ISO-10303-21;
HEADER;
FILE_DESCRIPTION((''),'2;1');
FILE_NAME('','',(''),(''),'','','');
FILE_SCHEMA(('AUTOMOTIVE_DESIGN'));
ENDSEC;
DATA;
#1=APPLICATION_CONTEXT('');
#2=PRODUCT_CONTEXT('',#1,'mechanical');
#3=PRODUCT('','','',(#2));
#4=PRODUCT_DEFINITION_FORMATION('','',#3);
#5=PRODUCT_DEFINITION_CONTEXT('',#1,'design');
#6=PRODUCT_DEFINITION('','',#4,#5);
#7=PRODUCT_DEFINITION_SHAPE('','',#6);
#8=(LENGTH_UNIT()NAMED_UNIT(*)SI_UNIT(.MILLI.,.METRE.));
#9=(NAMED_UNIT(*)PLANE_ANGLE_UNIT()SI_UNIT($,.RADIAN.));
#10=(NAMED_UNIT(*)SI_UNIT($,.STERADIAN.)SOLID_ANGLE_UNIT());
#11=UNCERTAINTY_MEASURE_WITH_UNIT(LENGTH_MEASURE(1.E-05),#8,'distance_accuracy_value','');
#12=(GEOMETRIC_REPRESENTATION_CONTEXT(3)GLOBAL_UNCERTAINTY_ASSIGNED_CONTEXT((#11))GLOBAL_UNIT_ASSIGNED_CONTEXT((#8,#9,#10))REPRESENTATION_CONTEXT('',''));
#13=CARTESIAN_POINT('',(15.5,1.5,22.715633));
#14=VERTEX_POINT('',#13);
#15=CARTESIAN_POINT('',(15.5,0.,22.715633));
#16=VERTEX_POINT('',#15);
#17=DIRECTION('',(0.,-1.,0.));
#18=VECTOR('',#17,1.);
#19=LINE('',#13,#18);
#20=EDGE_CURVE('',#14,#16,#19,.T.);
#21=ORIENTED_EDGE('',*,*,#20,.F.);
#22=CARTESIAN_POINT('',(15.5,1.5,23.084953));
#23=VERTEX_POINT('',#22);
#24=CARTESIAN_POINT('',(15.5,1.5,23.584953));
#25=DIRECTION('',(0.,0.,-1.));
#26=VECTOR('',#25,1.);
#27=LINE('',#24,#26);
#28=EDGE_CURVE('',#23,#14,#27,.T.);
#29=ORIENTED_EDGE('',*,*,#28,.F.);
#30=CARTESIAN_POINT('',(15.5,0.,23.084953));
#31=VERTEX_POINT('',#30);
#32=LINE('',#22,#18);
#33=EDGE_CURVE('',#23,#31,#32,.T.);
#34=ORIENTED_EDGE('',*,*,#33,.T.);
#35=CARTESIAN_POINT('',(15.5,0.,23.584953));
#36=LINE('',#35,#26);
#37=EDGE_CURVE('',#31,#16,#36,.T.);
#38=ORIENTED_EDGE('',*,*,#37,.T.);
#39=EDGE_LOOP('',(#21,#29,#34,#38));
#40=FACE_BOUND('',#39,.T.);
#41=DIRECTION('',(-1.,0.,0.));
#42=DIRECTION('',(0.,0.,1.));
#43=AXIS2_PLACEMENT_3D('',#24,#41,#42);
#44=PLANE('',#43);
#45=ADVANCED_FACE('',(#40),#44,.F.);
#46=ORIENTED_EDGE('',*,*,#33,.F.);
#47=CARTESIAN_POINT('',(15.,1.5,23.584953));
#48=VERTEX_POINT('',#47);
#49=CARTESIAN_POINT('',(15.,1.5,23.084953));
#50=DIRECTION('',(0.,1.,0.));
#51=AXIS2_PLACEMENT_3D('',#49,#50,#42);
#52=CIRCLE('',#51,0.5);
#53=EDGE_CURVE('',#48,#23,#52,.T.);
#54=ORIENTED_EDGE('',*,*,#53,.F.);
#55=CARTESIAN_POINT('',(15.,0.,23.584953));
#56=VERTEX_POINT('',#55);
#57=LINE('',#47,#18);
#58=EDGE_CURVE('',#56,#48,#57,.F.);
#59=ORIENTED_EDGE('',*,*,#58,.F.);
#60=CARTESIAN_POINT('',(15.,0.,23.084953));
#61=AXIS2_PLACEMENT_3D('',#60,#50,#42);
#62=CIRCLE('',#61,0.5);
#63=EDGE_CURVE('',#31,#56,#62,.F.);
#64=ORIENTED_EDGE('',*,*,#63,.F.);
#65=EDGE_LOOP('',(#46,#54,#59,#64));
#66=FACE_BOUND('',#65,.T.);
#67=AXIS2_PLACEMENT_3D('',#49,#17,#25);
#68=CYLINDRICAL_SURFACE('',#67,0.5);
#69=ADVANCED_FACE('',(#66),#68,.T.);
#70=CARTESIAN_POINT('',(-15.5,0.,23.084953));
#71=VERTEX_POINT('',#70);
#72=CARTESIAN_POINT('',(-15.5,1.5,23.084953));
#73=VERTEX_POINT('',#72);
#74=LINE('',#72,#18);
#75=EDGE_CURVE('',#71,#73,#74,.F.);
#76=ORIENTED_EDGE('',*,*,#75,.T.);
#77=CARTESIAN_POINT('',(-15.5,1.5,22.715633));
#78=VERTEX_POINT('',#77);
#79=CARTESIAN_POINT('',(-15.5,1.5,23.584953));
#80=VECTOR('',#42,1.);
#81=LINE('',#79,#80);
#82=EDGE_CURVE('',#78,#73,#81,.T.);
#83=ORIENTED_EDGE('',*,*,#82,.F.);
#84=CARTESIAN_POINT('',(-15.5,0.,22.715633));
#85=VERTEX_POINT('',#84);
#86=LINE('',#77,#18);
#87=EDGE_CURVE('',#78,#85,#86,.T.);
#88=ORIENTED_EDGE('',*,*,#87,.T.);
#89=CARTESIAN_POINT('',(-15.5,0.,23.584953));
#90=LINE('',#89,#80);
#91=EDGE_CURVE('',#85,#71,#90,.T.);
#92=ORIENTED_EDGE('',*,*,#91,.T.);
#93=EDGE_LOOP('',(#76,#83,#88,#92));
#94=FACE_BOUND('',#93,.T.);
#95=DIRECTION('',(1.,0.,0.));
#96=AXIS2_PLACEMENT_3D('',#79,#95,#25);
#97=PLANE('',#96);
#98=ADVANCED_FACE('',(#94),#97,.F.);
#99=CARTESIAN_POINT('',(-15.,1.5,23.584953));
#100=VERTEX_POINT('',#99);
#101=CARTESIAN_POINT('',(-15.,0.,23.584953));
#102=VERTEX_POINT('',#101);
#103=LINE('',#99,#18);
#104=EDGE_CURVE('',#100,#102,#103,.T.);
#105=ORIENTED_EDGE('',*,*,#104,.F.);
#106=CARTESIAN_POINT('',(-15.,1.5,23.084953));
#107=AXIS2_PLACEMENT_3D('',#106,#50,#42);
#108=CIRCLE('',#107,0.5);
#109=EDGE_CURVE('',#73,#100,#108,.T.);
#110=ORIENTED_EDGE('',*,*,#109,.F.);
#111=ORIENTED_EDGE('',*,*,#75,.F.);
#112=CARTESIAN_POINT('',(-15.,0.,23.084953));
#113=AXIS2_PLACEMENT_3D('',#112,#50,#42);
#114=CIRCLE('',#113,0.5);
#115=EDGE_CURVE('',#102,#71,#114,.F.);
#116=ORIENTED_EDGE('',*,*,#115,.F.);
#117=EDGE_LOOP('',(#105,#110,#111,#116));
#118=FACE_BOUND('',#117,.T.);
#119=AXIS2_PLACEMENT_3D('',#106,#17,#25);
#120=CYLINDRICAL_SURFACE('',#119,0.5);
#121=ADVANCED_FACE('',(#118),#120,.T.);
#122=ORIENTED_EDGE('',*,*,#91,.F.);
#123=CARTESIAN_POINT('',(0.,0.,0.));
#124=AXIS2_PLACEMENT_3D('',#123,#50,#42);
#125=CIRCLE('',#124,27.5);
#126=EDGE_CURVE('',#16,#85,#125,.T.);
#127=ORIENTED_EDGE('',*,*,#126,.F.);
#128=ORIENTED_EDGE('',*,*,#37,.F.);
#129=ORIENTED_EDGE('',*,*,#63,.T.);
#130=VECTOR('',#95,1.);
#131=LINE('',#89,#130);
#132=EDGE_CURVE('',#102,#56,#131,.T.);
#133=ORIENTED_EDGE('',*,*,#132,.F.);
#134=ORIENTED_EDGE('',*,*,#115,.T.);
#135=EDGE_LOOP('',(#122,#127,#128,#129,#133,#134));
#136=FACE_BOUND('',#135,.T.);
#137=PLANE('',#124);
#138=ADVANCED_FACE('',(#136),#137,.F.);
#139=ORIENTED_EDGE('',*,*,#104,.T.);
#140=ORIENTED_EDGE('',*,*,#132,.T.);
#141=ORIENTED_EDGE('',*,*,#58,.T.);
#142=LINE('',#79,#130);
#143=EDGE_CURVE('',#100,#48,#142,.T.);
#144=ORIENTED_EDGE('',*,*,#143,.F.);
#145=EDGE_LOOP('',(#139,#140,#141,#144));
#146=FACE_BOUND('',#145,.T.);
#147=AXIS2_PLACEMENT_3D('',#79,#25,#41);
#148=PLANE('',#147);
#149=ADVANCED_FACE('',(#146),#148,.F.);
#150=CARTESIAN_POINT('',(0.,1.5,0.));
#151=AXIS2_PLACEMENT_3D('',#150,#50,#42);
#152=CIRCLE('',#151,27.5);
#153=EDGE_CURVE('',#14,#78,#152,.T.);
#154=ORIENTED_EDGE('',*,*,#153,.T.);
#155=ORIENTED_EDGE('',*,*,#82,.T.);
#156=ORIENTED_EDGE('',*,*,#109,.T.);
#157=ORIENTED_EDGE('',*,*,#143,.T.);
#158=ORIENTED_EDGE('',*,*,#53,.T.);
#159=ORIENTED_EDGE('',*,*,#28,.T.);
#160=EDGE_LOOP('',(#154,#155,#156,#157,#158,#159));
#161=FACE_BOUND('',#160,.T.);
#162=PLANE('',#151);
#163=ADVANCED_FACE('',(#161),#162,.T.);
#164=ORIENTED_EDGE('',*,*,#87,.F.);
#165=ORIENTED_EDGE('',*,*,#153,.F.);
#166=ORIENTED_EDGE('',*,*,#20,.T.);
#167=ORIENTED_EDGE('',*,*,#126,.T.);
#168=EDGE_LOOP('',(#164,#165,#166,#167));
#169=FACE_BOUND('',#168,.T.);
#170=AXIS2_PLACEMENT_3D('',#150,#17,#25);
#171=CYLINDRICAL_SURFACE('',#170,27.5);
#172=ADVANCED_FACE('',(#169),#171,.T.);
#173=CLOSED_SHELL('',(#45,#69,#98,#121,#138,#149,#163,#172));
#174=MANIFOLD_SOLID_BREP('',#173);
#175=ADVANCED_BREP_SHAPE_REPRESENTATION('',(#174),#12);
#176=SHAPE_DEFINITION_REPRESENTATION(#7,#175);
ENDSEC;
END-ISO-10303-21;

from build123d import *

# Parameters (mm, degrees)
BOSS_EXTRUDE1_DEPTH = 1.5
FILLET1_R           = 0.5


with BuildPart() as part:
    # Sketch1 → Boss-Extrude1 (new body)
    with BuildSketch(Plane(origin=(0, 0, 0), x_dir=(1, 0, 0), z_dir=(0, 1, 0))):
        with BuildLine():
            Line((-15.5, -23.58495283), (15.5, -23.58495283))
            Line((15.5, -23.58495283), (15.5, -22.715633383))
            ThreePointArc((15.5, -22.715633383), (0, 27.5), (-15.5, -22.715633383))
            Line((-15.5, -22.715633383), (-15.5, -23.58495283))
        make_face()
    extrude(amount=BOSS_EXTRUDE1_DEPTH)

    # Fillet1
    fillet1_edges = [part.edges().sort_by_distance(p)[0] for p in [
        (15.5, 0.75, 23.58495283),
        (-15.5, 0.75, 23.58495283),
    ]]
    fillet(fillet1_edges, radius=FILLET1_R)


solid = part.part
